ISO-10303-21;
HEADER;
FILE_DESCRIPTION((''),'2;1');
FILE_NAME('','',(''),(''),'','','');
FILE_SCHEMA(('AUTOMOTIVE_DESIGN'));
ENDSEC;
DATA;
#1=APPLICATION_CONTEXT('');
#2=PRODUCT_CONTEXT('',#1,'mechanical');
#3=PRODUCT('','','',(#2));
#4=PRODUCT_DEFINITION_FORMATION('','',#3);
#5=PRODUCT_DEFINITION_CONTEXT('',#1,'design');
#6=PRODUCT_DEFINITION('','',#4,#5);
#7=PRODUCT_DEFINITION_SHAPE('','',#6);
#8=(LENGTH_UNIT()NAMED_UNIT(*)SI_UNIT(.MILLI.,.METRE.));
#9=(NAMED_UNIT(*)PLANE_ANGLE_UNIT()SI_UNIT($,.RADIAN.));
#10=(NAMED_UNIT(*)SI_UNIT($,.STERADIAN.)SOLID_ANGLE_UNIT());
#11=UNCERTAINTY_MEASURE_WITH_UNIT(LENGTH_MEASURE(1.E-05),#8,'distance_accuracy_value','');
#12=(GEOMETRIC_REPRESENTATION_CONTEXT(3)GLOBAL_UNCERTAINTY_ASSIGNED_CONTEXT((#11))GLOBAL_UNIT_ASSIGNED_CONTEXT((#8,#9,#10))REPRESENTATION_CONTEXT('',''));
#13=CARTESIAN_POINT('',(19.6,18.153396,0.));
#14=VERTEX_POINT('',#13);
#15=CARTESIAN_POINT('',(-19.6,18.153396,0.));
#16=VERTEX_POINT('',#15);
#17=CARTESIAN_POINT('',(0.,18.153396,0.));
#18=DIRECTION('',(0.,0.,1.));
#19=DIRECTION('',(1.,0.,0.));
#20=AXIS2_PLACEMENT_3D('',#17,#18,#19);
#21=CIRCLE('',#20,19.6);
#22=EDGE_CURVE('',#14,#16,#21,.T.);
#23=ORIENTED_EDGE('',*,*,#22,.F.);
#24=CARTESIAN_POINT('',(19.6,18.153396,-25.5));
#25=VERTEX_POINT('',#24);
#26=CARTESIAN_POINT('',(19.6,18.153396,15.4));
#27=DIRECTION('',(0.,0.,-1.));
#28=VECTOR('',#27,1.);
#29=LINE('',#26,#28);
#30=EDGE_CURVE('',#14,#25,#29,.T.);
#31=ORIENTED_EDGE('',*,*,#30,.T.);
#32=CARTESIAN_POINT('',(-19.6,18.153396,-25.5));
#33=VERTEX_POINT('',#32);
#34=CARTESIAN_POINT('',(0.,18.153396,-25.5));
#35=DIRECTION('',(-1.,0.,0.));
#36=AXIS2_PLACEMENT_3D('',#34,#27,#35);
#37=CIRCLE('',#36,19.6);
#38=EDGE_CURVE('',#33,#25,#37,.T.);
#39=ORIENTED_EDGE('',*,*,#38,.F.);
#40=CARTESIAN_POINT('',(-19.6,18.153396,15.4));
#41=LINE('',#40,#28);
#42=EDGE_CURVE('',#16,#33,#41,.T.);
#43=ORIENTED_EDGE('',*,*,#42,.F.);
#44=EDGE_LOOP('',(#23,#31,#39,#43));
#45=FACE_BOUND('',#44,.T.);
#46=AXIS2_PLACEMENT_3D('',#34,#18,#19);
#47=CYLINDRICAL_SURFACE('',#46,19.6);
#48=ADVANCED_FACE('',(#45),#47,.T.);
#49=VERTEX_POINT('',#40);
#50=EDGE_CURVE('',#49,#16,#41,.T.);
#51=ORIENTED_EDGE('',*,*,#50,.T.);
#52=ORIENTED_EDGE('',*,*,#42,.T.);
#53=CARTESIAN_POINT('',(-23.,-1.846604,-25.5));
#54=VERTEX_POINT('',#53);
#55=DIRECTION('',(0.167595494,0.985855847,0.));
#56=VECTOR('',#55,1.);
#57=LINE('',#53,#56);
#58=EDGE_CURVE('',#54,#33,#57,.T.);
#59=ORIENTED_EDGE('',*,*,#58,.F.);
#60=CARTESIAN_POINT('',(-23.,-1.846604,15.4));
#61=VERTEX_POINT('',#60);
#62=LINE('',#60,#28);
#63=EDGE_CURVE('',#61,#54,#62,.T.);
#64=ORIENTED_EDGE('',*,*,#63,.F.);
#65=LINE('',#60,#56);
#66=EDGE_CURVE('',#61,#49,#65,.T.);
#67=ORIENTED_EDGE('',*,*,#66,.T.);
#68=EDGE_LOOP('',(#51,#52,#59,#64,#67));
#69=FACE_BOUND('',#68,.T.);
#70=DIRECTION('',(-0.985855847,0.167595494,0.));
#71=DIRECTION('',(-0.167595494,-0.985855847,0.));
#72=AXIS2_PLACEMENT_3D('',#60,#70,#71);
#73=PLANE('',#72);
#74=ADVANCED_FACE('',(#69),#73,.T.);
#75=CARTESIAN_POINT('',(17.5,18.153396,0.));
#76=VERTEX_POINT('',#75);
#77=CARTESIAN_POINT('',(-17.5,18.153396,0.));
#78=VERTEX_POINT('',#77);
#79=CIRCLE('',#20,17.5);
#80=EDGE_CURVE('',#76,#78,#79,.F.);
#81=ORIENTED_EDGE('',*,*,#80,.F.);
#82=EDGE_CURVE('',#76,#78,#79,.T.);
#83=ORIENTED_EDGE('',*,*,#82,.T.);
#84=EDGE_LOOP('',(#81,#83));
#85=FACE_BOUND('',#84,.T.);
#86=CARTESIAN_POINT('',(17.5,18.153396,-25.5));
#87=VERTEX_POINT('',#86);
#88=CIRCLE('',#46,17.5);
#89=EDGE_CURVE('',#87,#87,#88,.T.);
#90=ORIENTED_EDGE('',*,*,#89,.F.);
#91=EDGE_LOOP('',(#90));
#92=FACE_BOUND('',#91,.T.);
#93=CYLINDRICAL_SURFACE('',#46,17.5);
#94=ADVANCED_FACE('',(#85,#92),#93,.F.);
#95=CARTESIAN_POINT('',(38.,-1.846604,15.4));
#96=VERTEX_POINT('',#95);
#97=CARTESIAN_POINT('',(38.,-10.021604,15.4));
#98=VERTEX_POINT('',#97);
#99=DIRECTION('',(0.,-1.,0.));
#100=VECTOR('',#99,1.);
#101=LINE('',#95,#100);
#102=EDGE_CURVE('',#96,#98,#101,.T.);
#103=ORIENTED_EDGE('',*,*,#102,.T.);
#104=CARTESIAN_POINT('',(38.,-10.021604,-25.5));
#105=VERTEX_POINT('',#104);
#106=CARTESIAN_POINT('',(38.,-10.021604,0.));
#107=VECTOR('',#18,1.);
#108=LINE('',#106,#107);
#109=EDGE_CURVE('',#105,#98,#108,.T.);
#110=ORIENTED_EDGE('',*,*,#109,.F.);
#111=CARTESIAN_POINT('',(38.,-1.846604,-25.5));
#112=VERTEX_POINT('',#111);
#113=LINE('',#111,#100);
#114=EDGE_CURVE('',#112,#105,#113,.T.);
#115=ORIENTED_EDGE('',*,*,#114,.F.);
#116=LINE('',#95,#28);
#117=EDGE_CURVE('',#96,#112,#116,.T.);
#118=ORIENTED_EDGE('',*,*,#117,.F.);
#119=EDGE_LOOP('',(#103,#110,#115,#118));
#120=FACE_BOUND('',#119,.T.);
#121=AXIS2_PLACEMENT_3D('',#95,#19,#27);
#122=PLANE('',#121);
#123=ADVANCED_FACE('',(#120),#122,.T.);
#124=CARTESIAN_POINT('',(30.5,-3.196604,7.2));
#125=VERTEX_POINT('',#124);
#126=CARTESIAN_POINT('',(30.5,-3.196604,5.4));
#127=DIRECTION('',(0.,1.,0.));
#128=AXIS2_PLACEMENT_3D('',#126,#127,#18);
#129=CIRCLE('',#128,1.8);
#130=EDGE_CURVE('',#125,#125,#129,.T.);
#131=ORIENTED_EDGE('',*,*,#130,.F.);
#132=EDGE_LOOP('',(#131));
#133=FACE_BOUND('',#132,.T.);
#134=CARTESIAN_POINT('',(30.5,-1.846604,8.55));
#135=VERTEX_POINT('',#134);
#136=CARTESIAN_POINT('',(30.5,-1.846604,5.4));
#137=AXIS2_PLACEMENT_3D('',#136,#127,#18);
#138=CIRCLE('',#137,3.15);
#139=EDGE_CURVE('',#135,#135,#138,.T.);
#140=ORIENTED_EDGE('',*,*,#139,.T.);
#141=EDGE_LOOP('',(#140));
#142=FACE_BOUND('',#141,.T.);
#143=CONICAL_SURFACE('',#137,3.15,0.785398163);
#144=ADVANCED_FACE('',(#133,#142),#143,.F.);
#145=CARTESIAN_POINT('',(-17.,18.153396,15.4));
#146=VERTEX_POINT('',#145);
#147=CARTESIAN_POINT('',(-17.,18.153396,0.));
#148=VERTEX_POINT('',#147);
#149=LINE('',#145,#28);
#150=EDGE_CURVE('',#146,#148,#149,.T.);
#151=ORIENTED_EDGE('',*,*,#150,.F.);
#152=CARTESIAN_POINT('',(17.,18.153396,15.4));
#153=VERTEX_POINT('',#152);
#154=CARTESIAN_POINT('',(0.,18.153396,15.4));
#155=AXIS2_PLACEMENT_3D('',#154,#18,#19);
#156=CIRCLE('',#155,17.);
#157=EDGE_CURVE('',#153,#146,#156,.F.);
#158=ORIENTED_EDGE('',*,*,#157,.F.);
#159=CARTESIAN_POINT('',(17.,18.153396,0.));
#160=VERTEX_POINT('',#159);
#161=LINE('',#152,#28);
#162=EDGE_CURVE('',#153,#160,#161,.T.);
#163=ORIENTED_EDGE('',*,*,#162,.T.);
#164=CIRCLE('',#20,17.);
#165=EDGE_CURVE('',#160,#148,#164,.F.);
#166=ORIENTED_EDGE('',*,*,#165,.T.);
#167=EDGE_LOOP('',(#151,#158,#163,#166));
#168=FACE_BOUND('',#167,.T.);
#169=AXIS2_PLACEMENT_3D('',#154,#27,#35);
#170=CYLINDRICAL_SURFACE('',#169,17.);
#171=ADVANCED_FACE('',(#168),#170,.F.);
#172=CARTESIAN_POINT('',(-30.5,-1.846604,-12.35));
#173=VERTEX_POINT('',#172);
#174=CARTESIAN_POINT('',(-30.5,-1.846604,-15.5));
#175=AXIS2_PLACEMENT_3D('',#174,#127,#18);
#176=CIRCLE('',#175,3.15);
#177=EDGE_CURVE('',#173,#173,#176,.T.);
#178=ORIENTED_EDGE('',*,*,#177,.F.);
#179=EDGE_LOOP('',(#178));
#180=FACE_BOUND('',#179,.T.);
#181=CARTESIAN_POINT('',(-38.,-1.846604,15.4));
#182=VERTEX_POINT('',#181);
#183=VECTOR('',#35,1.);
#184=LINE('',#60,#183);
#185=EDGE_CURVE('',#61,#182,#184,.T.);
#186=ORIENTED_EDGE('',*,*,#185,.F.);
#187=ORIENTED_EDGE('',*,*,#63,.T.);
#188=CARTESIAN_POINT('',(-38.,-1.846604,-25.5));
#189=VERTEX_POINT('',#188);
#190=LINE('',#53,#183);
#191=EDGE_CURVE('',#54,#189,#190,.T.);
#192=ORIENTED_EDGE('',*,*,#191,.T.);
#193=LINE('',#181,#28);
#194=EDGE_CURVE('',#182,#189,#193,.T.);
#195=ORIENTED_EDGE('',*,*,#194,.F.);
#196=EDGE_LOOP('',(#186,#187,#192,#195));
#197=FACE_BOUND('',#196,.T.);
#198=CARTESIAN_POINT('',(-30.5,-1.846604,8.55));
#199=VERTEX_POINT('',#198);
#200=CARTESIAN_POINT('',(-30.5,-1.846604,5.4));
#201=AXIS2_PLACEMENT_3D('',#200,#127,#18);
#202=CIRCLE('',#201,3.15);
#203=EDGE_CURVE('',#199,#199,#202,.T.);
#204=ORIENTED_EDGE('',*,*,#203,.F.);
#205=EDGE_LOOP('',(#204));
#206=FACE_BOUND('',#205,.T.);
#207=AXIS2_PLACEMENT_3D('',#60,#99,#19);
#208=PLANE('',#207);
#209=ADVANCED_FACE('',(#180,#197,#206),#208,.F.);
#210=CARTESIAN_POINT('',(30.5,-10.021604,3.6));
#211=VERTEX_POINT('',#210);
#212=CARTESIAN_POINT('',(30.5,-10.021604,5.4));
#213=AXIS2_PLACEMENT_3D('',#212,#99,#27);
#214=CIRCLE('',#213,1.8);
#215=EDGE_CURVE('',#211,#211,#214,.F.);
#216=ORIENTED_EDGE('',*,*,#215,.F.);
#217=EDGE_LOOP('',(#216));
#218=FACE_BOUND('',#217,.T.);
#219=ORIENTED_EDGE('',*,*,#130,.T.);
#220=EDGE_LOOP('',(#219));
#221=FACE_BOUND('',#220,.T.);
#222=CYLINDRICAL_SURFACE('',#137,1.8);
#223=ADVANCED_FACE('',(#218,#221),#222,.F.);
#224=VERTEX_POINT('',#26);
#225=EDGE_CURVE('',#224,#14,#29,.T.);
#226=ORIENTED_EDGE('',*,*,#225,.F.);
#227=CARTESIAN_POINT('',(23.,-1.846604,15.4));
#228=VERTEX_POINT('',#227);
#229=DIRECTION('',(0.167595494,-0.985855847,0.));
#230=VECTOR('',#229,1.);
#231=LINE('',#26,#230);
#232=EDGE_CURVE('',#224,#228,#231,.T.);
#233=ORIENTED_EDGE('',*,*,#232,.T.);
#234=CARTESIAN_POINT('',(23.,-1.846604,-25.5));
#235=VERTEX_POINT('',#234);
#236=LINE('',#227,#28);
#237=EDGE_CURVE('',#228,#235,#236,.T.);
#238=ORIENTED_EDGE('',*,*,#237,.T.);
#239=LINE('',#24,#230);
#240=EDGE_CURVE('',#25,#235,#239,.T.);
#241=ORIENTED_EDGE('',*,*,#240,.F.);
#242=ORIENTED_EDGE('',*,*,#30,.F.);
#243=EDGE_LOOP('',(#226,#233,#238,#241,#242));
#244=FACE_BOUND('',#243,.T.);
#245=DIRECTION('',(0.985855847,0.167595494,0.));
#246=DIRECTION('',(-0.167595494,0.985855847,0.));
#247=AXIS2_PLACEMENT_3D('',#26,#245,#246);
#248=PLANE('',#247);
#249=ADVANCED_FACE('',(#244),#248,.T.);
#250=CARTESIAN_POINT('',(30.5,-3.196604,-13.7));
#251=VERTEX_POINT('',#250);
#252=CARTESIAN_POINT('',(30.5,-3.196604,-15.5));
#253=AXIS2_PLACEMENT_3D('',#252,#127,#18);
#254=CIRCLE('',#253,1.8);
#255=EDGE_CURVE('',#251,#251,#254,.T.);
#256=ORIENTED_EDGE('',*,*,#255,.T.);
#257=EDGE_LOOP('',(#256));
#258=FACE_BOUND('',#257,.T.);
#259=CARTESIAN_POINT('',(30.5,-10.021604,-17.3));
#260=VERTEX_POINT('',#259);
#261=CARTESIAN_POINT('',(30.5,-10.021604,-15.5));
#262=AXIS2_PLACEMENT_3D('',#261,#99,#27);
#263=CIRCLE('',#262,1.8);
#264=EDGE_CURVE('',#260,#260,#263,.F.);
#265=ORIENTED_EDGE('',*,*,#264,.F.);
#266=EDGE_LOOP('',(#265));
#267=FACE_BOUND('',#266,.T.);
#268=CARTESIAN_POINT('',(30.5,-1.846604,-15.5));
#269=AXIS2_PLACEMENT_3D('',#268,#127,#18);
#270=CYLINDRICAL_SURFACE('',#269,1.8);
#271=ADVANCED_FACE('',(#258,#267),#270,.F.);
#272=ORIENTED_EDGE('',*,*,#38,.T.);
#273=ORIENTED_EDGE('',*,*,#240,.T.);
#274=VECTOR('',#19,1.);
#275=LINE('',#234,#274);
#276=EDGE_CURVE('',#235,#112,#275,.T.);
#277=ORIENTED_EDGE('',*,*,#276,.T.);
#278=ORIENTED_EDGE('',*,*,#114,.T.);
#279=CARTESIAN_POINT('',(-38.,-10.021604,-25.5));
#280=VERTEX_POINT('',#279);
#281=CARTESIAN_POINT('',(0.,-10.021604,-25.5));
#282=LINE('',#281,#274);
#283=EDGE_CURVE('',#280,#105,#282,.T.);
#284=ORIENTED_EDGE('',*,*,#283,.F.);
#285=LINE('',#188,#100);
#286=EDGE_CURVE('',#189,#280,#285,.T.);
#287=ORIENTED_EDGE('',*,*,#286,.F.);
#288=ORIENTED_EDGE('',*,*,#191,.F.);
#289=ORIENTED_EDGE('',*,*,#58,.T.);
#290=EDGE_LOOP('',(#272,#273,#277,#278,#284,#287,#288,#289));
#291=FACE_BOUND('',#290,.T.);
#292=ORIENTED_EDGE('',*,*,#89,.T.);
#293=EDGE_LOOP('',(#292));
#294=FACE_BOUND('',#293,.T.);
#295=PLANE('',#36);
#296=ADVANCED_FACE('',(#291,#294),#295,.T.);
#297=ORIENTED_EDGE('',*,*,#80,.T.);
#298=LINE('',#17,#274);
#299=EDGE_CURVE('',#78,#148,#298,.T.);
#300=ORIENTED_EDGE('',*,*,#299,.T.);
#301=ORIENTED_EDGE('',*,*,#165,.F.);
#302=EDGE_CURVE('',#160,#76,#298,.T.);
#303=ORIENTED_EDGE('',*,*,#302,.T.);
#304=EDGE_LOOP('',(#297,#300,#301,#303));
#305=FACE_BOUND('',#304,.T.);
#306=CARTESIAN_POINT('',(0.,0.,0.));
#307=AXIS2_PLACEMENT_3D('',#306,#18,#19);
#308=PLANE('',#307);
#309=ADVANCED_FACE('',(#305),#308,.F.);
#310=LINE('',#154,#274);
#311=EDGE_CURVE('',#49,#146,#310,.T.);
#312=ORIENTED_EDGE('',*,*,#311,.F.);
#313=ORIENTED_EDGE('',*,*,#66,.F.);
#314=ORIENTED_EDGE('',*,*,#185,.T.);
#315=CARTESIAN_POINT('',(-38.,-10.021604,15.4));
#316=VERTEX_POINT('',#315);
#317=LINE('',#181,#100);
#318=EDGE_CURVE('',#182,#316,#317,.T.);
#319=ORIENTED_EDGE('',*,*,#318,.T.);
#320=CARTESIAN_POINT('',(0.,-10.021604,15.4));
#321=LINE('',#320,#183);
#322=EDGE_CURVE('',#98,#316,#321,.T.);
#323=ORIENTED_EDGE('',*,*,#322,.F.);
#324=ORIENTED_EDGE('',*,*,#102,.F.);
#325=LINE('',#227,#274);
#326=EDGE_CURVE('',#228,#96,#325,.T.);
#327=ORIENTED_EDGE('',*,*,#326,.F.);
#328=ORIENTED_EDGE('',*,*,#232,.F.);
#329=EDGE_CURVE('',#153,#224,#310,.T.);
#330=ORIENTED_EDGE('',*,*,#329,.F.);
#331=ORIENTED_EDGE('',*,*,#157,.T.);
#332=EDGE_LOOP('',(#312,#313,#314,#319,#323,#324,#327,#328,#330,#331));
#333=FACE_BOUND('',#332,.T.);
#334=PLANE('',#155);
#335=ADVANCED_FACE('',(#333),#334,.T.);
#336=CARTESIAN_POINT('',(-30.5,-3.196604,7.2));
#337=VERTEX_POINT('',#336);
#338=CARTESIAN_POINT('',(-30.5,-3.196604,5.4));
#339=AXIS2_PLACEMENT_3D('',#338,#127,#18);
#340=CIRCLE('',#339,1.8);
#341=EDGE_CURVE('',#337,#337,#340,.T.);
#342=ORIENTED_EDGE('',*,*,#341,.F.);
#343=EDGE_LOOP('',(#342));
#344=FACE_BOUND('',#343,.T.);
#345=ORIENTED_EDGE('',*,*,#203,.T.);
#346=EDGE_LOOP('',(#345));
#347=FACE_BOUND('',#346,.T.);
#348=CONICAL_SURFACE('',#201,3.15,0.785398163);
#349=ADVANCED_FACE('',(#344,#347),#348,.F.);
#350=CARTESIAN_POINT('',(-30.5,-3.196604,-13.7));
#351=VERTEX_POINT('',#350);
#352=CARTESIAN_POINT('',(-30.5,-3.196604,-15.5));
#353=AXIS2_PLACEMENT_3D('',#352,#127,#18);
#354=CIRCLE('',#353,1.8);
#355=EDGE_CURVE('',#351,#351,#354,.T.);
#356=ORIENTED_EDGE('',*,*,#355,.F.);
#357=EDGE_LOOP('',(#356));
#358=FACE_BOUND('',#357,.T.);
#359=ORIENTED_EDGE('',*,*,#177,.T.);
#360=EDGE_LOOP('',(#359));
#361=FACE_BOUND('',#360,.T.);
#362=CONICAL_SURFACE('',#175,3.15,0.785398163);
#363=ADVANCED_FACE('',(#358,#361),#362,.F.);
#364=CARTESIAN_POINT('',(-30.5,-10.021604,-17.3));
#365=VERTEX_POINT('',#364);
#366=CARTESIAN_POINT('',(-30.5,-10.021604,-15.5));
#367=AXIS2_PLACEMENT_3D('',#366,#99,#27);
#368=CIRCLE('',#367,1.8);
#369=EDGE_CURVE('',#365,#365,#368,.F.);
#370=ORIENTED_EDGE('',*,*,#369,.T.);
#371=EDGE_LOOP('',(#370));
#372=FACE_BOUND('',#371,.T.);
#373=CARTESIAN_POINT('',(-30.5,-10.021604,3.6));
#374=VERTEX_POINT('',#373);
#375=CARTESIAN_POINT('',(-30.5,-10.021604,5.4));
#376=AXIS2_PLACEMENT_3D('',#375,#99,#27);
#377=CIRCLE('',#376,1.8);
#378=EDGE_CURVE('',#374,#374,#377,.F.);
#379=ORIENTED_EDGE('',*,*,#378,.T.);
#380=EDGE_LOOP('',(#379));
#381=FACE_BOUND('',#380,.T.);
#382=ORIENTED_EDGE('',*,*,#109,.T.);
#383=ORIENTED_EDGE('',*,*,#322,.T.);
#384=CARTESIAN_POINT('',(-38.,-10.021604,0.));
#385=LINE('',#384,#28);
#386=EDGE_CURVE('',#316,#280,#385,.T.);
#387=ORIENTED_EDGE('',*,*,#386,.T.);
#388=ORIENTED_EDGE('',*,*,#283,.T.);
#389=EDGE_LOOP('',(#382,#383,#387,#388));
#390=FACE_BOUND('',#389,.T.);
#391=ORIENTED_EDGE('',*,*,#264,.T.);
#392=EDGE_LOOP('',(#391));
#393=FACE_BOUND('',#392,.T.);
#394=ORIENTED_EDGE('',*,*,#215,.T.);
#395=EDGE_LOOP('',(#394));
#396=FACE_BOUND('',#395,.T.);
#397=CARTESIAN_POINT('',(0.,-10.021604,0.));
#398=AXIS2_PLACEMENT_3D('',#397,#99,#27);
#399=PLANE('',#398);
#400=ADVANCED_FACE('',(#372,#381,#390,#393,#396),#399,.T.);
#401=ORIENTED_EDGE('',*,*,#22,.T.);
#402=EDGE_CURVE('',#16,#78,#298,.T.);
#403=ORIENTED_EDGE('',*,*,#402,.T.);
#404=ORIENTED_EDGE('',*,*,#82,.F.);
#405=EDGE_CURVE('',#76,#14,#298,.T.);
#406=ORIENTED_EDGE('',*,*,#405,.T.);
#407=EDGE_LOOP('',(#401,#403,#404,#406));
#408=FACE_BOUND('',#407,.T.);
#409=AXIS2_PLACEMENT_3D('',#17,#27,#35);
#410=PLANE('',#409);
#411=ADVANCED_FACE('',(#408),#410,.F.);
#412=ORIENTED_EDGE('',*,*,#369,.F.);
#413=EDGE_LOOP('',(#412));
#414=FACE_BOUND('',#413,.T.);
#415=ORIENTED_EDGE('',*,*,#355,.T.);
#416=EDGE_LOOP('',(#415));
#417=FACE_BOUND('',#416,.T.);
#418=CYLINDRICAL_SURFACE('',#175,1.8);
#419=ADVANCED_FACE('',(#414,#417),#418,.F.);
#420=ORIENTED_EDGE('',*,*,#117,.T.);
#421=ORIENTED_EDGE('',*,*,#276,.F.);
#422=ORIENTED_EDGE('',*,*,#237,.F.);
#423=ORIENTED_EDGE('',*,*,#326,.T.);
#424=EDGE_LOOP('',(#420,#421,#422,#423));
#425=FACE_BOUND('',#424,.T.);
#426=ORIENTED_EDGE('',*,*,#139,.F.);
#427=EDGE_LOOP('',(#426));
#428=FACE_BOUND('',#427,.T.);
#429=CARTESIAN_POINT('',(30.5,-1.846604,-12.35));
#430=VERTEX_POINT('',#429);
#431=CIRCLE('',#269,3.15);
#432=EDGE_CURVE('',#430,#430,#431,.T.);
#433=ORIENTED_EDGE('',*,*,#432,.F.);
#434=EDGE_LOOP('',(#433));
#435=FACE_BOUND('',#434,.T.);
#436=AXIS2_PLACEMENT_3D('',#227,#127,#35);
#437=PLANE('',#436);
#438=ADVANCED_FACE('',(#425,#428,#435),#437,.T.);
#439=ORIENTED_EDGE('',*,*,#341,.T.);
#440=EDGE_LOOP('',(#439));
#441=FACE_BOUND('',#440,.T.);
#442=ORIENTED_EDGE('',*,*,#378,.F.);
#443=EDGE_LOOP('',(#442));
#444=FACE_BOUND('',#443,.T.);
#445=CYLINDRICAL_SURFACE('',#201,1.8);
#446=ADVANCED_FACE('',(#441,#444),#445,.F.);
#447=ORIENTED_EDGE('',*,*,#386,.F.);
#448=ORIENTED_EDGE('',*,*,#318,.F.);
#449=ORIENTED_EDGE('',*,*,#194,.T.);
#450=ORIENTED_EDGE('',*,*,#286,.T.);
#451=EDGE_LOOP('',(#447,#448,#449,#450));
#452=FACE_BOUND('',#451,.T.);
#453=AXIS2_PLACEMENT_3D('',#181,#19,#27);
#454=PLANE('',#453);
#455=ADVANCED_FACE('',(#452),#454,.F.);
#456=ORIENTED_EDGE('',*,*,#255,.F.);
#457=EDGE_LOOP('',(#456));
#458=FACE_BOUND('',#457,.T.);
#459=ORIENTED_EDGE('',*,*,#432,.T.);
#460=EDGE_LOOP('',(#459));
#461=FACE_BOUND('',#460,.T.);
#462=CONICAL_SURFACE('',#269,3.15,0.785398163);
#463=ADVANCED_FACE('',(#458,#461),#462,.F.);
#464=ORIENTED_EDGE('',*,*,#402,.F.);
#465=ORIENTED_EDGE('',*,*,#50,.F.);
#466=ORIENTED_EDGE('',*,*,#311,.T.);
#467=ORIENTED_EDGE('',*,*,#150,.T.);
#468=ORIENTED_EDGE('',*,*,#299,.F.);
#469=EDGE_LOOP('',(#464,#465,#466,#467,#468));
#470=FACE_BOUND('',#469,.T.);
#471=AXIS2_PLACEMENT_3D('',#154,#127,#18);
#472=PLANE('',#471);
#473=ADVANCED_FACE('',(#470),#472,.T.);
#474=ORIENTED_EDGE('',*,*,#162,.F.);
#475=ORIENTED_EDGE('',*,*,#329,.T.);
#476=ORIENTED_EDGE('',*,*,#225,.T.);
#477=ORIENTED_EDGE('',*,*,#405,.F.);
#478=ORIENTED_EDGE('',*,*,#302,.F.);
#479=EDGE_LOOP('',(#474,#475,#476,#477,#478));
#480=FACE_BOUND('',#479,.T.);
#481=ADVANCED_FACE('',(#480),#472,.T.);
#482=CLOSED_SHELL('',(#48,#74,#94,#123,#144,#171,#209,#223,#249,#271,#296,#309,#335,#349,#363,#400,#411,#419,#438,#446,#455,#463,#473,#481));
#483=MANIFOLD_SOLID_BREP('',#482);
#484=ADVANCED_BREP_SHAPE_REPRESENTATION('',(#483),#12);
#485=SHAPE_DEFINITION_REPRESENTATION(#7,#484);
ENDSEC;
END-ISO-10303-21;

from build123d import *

# Parameters (mm, degrees)
SKETCH1_R                                       = 17.5
BOSS_EXTRUDE9_DEPTH                             = 25.5
BOSS_EXTRUDE10_DEPTH                            = 15.4
BOSS_EXTRUDE10_DEPTH_BACK                       = 25.5
CSK_FOR_M3_FLAT_HEAD_MACHINE_SCREW1_D           = 3.6
CSK_FOR_M3_FLAT_HEAD_MACHINE_SCREW1_CSINK_D     = 6.3
CSK_FOR_M3_FLAT_HEAD_MACHINE_SCREW1_CSINK_ANGLE = 90
CSK_FOR_M3_FLAT_HEAD_MACHINE_SCREW2_D           = 3.6
CSK_FOR_M3_FLAT_HEAD_MACHINE_SCREW2_CSINK_D     = 6.3
CSK_FOR_M3_FLAT_HEAD_MACHINE_SCREW2_CSINK_ANGLE = 90
BOSS_EXTRUDE11_DEPTH                            = 15.4
BOSS_EXTRUDE12_START                            = 3.175
SKETCH15_W                                      = 76
SKETCH15_H                                      = 40.9
SKETCH15_R                                      = 1.8
BOSS_EXTRUDE12_DEPTH                            = 3.175


with BuildPart() as part:
    # Sketch1 → Boss-Extrude9 (new body)
    with BuildSketch(Plane.XY):
        with BuildLine():
            ThreePointArc((-19.6, 18.153395679), (0, 37.753395679), (19.6, 18.153395679))
            ThreePointArc((19.6, 18.153395679), (0, -1.446604321), (-19.6, 18.153395679))
        make_face()
        with Locations((0, 18.153395679)):
            Circle(SKETCH1_R, mode=Mode.SUBTRACT)
    extrude(amount=-BOSS_EXTRUDE9_DEPTH)

    # Sketch1<15> → Boss-Extrude10 (add, two sides: drawn at the far end of the back side and taken through both)
    with BuildSketch(Plane.XY.offset(-BOSS_EXTRUDE10_DEPTH_BACK)):
        with BuildLine():
            Line((-23, -1.846604321), (-38, -1.846604321))
            Line((-38, -1.846604321), (-38, -6.846604321))
            Line((-38, -6.846604321), (38, -6.846604321))
            Line((38, -6.846604321), (38, -1.846604321))
            Line((38, -1.846604321), (23, -1.846604321))
            Line((23, -1.846604321), (19.6, 18.153395679))
            ThreePointArc((19.6, 18.153395679), (0, -1.446604321), (-19.6, 18.153395679))
            Line((-19.6, 18.153395679), (-23, -1.846604321))
        make_face()
    extrude(amount=BOSS_EXTRUDE10_DEPTH + BOSS_EXTRUDE10_DEPTH_BACK)

    # CSK for M3 Flat Head Machine Screw1 (through all)
    with Locations(Plane(origin=(0, -1.846604321, 0), x_dir=(1, 0, 0), z_dir=(0, 1, 0))):
        with Locations((-30.5, 15.5), (-30.5, -5.4)):
            CounterSinkHole(CSK_FOR_M3_FLAT_HEAD_MACHINE_SCREW1_D / 2, CSK_FOR_M3_FLAT_HEAD_MACHINE_SCREW1_CSINK_D / 2, counter_sink_angle=CSK_FOR_M3_FLAT_HEAD_MACHINE_SCREW1_CSINK_ANGLE)

    # CSK for M3 Flat Head Machine Screw2 (through all)
    with Locations(Plane(origin=(0, -1.846604321, 0), x_dir=(1, 0, 0), z_dir=(0, 1, 0))):
        with Locations((30.5, -5.4), (30.5, 15.5)):
            CounterSinkHole(CSK_FOR_M3_FLAT_HEAD_MACHINE_SCREW2_D / 2, CSK_FOR_M3_FLAT_HEAD_MACHINE_SCREW2_CSINK_D / 2, counter_sink_angle=CSK_FOR_M3_FLAT_HEAD_MACHINE_SCREW2_CSINK_ANGLE)

    # Sketch1<19> → Boss-Extrude11 (add)
    with BuildSketch(Plane.XY):
        with BuildLine():
            ThreePointArc((-19.6, 18.153395679), (0, -1.446604321), (19.6, 18.153395679))
            Line((19.6, 18.153395679), (17, 18.153395679))
            ThreePointArc((17, 18.153395679), (0, 1.153395679), (-17, 18.153395679))
            Line((-17, 18.153395679), (-19.6, 18.153395679))
        make_face()
    extrude(amount=BOSS_EXTRUDE11_DEPTH)

    # Sketch15 → Boss-Extrude12 (add)
    with BuildSketch(Plane(origin=(0, -6.846604321, 0), x_dir=(-1, 0, 0), z_dir=(0, -1, 0)).offset(BOSS_EXTRUDE12_START)):
        with Locations((0, 5.05)):
            Rectangle(SKETCH15_W, SKETCH15_H)
        with Locations((-30.5, -5.4)):
            Circle(SKETCH15_R, mode=Mode.SUBTRACT)
        with Locations((30.5, -5.4)):
            Circle(SKETCH15_R, mode=Mode.SUBTRACT)
        with Locations((-30.5, 15.5)):
            Circle(SKETCH15_R, mode=Mode.SUBTRACT)
        with Locations((30.5, 15.5)):
            Circle(SKETCH15_R, mode=Mode.SUBTRACT)
    extrude(amount=-BOSS_EXTRUDE12_DEPTH)


solid = part.part
